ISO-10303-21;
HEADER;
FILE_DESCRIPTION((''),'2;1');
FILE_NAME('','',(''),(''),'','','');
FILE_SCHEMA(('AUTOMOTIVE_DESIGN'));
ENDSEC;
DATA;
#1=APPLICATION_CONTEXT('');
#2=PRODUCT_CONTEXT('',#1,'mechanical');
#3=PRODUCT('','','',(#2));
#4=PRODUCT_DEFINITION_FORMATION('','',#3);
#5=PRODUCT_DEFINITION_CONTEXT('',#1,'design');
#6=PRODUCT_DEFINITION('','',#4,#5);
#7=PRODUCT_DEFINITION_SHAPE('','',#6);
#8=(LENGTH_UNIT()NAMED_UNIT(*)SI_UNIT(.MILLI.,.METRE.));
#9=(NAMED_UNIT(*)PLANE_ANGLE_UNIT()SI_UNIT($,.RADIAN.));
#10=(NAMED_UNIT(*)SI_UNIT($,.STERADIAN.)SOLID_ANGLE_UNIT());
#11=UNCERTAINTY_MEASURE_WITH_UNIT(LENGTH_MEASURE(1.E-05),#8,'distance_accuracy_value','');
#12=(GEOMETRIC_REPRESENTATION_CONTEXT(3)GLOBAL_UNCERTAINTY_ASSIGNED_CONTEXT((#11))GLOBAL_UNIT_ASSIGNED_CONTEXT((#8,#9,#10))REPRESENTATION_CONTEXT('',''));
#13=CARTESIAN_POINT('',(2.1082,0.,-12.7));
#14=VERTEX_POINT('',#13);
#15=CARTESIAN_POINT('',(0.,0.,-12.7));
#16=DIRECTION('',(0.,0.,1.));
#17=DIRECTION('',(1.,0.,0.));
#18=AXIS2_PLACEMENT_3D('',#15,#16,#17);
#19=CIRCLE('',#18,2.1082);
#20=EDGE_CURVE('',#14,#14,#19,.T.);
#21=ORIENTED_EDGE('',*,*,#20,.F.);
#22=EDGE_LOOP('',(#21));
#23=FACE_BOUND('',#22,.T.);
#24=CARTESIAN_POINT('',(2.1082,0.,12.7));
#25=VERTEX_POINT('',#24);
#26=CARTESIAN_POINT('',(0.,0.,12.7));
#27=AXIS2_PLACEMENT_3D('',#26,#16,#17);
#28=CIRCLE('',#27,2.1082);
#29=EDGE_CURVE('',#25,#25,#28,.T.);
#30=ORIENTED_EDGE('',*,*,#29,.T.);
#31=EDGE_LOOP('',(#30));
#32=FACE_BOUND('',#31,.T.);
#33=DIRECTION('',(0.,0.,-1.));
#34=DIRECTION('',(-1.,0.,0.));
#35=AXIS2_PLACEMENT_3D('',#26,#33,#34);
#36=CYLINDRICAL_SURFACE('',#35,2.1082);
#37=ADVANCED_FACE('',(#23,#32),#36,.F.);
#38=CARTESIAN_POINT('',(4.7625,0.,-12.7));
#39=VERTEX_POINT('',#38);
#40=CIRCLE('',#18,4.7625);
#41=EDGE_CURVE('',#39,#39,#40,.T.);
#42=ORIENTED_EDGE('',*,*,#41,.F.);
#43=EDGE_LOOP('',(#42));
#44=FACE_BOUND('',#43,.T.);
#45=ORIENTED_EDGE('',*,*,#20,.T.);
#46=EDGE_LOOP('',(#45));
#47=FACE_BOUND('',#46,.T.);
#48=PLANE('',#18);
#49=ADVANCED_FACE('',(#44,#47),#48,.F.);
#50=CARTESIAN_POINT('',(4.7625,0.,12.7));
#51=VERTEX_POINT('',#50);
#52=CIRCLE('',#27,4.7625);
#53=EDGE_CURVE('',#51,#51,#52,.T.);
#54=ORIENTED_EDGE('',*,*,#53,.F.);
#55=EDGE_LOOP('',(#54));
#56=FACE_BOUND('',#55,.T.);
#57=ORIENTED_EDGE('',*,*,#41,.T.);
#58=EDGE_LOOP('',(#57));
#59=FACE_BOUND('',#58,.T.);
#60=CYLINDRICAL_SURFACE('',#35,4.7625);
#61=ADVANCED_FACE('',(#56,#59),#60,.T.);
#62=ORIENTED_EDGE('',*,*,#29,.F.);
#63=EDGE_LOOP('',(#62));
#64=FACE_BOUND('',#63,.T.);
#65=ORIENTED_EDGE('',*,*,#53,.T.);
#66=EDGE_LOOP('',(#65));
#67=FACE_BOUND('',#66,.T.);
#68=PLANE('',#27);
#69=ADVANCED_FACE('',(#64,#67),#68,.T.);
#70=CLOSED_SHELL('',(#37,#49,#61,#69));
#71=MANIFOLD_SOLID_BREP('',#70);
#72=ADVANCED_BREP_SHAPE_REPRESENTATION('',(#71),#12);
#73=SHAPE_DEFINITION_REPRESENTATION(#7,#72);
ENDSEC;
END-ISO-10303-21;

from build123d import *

# Parameters (mm, degrees)
SKETCH1_R           = 4.7625
SKETCH1_R_2         = 2.1082
EXTRUDE1_DEPTH      = 12.7
EXTRUDE1_DEPTH_BACK = 12.7


with BuildPart() as part:
    # Sketch1 → Extrude1 (new body, two sides)
    with BuildSketch(Plane.XY) as extrude1_sk:
        Circle(SKETCH1_R)
        Circle(SKETCH1_R_2, mode=Mode.SUBTRACT)
    extrude(amount=EXTRUDE1_DEPTH)
    extrude(extrude1_sk.sketch, amount=-EXTRUDE1_DEPTH_BACK)


solid = part.part
